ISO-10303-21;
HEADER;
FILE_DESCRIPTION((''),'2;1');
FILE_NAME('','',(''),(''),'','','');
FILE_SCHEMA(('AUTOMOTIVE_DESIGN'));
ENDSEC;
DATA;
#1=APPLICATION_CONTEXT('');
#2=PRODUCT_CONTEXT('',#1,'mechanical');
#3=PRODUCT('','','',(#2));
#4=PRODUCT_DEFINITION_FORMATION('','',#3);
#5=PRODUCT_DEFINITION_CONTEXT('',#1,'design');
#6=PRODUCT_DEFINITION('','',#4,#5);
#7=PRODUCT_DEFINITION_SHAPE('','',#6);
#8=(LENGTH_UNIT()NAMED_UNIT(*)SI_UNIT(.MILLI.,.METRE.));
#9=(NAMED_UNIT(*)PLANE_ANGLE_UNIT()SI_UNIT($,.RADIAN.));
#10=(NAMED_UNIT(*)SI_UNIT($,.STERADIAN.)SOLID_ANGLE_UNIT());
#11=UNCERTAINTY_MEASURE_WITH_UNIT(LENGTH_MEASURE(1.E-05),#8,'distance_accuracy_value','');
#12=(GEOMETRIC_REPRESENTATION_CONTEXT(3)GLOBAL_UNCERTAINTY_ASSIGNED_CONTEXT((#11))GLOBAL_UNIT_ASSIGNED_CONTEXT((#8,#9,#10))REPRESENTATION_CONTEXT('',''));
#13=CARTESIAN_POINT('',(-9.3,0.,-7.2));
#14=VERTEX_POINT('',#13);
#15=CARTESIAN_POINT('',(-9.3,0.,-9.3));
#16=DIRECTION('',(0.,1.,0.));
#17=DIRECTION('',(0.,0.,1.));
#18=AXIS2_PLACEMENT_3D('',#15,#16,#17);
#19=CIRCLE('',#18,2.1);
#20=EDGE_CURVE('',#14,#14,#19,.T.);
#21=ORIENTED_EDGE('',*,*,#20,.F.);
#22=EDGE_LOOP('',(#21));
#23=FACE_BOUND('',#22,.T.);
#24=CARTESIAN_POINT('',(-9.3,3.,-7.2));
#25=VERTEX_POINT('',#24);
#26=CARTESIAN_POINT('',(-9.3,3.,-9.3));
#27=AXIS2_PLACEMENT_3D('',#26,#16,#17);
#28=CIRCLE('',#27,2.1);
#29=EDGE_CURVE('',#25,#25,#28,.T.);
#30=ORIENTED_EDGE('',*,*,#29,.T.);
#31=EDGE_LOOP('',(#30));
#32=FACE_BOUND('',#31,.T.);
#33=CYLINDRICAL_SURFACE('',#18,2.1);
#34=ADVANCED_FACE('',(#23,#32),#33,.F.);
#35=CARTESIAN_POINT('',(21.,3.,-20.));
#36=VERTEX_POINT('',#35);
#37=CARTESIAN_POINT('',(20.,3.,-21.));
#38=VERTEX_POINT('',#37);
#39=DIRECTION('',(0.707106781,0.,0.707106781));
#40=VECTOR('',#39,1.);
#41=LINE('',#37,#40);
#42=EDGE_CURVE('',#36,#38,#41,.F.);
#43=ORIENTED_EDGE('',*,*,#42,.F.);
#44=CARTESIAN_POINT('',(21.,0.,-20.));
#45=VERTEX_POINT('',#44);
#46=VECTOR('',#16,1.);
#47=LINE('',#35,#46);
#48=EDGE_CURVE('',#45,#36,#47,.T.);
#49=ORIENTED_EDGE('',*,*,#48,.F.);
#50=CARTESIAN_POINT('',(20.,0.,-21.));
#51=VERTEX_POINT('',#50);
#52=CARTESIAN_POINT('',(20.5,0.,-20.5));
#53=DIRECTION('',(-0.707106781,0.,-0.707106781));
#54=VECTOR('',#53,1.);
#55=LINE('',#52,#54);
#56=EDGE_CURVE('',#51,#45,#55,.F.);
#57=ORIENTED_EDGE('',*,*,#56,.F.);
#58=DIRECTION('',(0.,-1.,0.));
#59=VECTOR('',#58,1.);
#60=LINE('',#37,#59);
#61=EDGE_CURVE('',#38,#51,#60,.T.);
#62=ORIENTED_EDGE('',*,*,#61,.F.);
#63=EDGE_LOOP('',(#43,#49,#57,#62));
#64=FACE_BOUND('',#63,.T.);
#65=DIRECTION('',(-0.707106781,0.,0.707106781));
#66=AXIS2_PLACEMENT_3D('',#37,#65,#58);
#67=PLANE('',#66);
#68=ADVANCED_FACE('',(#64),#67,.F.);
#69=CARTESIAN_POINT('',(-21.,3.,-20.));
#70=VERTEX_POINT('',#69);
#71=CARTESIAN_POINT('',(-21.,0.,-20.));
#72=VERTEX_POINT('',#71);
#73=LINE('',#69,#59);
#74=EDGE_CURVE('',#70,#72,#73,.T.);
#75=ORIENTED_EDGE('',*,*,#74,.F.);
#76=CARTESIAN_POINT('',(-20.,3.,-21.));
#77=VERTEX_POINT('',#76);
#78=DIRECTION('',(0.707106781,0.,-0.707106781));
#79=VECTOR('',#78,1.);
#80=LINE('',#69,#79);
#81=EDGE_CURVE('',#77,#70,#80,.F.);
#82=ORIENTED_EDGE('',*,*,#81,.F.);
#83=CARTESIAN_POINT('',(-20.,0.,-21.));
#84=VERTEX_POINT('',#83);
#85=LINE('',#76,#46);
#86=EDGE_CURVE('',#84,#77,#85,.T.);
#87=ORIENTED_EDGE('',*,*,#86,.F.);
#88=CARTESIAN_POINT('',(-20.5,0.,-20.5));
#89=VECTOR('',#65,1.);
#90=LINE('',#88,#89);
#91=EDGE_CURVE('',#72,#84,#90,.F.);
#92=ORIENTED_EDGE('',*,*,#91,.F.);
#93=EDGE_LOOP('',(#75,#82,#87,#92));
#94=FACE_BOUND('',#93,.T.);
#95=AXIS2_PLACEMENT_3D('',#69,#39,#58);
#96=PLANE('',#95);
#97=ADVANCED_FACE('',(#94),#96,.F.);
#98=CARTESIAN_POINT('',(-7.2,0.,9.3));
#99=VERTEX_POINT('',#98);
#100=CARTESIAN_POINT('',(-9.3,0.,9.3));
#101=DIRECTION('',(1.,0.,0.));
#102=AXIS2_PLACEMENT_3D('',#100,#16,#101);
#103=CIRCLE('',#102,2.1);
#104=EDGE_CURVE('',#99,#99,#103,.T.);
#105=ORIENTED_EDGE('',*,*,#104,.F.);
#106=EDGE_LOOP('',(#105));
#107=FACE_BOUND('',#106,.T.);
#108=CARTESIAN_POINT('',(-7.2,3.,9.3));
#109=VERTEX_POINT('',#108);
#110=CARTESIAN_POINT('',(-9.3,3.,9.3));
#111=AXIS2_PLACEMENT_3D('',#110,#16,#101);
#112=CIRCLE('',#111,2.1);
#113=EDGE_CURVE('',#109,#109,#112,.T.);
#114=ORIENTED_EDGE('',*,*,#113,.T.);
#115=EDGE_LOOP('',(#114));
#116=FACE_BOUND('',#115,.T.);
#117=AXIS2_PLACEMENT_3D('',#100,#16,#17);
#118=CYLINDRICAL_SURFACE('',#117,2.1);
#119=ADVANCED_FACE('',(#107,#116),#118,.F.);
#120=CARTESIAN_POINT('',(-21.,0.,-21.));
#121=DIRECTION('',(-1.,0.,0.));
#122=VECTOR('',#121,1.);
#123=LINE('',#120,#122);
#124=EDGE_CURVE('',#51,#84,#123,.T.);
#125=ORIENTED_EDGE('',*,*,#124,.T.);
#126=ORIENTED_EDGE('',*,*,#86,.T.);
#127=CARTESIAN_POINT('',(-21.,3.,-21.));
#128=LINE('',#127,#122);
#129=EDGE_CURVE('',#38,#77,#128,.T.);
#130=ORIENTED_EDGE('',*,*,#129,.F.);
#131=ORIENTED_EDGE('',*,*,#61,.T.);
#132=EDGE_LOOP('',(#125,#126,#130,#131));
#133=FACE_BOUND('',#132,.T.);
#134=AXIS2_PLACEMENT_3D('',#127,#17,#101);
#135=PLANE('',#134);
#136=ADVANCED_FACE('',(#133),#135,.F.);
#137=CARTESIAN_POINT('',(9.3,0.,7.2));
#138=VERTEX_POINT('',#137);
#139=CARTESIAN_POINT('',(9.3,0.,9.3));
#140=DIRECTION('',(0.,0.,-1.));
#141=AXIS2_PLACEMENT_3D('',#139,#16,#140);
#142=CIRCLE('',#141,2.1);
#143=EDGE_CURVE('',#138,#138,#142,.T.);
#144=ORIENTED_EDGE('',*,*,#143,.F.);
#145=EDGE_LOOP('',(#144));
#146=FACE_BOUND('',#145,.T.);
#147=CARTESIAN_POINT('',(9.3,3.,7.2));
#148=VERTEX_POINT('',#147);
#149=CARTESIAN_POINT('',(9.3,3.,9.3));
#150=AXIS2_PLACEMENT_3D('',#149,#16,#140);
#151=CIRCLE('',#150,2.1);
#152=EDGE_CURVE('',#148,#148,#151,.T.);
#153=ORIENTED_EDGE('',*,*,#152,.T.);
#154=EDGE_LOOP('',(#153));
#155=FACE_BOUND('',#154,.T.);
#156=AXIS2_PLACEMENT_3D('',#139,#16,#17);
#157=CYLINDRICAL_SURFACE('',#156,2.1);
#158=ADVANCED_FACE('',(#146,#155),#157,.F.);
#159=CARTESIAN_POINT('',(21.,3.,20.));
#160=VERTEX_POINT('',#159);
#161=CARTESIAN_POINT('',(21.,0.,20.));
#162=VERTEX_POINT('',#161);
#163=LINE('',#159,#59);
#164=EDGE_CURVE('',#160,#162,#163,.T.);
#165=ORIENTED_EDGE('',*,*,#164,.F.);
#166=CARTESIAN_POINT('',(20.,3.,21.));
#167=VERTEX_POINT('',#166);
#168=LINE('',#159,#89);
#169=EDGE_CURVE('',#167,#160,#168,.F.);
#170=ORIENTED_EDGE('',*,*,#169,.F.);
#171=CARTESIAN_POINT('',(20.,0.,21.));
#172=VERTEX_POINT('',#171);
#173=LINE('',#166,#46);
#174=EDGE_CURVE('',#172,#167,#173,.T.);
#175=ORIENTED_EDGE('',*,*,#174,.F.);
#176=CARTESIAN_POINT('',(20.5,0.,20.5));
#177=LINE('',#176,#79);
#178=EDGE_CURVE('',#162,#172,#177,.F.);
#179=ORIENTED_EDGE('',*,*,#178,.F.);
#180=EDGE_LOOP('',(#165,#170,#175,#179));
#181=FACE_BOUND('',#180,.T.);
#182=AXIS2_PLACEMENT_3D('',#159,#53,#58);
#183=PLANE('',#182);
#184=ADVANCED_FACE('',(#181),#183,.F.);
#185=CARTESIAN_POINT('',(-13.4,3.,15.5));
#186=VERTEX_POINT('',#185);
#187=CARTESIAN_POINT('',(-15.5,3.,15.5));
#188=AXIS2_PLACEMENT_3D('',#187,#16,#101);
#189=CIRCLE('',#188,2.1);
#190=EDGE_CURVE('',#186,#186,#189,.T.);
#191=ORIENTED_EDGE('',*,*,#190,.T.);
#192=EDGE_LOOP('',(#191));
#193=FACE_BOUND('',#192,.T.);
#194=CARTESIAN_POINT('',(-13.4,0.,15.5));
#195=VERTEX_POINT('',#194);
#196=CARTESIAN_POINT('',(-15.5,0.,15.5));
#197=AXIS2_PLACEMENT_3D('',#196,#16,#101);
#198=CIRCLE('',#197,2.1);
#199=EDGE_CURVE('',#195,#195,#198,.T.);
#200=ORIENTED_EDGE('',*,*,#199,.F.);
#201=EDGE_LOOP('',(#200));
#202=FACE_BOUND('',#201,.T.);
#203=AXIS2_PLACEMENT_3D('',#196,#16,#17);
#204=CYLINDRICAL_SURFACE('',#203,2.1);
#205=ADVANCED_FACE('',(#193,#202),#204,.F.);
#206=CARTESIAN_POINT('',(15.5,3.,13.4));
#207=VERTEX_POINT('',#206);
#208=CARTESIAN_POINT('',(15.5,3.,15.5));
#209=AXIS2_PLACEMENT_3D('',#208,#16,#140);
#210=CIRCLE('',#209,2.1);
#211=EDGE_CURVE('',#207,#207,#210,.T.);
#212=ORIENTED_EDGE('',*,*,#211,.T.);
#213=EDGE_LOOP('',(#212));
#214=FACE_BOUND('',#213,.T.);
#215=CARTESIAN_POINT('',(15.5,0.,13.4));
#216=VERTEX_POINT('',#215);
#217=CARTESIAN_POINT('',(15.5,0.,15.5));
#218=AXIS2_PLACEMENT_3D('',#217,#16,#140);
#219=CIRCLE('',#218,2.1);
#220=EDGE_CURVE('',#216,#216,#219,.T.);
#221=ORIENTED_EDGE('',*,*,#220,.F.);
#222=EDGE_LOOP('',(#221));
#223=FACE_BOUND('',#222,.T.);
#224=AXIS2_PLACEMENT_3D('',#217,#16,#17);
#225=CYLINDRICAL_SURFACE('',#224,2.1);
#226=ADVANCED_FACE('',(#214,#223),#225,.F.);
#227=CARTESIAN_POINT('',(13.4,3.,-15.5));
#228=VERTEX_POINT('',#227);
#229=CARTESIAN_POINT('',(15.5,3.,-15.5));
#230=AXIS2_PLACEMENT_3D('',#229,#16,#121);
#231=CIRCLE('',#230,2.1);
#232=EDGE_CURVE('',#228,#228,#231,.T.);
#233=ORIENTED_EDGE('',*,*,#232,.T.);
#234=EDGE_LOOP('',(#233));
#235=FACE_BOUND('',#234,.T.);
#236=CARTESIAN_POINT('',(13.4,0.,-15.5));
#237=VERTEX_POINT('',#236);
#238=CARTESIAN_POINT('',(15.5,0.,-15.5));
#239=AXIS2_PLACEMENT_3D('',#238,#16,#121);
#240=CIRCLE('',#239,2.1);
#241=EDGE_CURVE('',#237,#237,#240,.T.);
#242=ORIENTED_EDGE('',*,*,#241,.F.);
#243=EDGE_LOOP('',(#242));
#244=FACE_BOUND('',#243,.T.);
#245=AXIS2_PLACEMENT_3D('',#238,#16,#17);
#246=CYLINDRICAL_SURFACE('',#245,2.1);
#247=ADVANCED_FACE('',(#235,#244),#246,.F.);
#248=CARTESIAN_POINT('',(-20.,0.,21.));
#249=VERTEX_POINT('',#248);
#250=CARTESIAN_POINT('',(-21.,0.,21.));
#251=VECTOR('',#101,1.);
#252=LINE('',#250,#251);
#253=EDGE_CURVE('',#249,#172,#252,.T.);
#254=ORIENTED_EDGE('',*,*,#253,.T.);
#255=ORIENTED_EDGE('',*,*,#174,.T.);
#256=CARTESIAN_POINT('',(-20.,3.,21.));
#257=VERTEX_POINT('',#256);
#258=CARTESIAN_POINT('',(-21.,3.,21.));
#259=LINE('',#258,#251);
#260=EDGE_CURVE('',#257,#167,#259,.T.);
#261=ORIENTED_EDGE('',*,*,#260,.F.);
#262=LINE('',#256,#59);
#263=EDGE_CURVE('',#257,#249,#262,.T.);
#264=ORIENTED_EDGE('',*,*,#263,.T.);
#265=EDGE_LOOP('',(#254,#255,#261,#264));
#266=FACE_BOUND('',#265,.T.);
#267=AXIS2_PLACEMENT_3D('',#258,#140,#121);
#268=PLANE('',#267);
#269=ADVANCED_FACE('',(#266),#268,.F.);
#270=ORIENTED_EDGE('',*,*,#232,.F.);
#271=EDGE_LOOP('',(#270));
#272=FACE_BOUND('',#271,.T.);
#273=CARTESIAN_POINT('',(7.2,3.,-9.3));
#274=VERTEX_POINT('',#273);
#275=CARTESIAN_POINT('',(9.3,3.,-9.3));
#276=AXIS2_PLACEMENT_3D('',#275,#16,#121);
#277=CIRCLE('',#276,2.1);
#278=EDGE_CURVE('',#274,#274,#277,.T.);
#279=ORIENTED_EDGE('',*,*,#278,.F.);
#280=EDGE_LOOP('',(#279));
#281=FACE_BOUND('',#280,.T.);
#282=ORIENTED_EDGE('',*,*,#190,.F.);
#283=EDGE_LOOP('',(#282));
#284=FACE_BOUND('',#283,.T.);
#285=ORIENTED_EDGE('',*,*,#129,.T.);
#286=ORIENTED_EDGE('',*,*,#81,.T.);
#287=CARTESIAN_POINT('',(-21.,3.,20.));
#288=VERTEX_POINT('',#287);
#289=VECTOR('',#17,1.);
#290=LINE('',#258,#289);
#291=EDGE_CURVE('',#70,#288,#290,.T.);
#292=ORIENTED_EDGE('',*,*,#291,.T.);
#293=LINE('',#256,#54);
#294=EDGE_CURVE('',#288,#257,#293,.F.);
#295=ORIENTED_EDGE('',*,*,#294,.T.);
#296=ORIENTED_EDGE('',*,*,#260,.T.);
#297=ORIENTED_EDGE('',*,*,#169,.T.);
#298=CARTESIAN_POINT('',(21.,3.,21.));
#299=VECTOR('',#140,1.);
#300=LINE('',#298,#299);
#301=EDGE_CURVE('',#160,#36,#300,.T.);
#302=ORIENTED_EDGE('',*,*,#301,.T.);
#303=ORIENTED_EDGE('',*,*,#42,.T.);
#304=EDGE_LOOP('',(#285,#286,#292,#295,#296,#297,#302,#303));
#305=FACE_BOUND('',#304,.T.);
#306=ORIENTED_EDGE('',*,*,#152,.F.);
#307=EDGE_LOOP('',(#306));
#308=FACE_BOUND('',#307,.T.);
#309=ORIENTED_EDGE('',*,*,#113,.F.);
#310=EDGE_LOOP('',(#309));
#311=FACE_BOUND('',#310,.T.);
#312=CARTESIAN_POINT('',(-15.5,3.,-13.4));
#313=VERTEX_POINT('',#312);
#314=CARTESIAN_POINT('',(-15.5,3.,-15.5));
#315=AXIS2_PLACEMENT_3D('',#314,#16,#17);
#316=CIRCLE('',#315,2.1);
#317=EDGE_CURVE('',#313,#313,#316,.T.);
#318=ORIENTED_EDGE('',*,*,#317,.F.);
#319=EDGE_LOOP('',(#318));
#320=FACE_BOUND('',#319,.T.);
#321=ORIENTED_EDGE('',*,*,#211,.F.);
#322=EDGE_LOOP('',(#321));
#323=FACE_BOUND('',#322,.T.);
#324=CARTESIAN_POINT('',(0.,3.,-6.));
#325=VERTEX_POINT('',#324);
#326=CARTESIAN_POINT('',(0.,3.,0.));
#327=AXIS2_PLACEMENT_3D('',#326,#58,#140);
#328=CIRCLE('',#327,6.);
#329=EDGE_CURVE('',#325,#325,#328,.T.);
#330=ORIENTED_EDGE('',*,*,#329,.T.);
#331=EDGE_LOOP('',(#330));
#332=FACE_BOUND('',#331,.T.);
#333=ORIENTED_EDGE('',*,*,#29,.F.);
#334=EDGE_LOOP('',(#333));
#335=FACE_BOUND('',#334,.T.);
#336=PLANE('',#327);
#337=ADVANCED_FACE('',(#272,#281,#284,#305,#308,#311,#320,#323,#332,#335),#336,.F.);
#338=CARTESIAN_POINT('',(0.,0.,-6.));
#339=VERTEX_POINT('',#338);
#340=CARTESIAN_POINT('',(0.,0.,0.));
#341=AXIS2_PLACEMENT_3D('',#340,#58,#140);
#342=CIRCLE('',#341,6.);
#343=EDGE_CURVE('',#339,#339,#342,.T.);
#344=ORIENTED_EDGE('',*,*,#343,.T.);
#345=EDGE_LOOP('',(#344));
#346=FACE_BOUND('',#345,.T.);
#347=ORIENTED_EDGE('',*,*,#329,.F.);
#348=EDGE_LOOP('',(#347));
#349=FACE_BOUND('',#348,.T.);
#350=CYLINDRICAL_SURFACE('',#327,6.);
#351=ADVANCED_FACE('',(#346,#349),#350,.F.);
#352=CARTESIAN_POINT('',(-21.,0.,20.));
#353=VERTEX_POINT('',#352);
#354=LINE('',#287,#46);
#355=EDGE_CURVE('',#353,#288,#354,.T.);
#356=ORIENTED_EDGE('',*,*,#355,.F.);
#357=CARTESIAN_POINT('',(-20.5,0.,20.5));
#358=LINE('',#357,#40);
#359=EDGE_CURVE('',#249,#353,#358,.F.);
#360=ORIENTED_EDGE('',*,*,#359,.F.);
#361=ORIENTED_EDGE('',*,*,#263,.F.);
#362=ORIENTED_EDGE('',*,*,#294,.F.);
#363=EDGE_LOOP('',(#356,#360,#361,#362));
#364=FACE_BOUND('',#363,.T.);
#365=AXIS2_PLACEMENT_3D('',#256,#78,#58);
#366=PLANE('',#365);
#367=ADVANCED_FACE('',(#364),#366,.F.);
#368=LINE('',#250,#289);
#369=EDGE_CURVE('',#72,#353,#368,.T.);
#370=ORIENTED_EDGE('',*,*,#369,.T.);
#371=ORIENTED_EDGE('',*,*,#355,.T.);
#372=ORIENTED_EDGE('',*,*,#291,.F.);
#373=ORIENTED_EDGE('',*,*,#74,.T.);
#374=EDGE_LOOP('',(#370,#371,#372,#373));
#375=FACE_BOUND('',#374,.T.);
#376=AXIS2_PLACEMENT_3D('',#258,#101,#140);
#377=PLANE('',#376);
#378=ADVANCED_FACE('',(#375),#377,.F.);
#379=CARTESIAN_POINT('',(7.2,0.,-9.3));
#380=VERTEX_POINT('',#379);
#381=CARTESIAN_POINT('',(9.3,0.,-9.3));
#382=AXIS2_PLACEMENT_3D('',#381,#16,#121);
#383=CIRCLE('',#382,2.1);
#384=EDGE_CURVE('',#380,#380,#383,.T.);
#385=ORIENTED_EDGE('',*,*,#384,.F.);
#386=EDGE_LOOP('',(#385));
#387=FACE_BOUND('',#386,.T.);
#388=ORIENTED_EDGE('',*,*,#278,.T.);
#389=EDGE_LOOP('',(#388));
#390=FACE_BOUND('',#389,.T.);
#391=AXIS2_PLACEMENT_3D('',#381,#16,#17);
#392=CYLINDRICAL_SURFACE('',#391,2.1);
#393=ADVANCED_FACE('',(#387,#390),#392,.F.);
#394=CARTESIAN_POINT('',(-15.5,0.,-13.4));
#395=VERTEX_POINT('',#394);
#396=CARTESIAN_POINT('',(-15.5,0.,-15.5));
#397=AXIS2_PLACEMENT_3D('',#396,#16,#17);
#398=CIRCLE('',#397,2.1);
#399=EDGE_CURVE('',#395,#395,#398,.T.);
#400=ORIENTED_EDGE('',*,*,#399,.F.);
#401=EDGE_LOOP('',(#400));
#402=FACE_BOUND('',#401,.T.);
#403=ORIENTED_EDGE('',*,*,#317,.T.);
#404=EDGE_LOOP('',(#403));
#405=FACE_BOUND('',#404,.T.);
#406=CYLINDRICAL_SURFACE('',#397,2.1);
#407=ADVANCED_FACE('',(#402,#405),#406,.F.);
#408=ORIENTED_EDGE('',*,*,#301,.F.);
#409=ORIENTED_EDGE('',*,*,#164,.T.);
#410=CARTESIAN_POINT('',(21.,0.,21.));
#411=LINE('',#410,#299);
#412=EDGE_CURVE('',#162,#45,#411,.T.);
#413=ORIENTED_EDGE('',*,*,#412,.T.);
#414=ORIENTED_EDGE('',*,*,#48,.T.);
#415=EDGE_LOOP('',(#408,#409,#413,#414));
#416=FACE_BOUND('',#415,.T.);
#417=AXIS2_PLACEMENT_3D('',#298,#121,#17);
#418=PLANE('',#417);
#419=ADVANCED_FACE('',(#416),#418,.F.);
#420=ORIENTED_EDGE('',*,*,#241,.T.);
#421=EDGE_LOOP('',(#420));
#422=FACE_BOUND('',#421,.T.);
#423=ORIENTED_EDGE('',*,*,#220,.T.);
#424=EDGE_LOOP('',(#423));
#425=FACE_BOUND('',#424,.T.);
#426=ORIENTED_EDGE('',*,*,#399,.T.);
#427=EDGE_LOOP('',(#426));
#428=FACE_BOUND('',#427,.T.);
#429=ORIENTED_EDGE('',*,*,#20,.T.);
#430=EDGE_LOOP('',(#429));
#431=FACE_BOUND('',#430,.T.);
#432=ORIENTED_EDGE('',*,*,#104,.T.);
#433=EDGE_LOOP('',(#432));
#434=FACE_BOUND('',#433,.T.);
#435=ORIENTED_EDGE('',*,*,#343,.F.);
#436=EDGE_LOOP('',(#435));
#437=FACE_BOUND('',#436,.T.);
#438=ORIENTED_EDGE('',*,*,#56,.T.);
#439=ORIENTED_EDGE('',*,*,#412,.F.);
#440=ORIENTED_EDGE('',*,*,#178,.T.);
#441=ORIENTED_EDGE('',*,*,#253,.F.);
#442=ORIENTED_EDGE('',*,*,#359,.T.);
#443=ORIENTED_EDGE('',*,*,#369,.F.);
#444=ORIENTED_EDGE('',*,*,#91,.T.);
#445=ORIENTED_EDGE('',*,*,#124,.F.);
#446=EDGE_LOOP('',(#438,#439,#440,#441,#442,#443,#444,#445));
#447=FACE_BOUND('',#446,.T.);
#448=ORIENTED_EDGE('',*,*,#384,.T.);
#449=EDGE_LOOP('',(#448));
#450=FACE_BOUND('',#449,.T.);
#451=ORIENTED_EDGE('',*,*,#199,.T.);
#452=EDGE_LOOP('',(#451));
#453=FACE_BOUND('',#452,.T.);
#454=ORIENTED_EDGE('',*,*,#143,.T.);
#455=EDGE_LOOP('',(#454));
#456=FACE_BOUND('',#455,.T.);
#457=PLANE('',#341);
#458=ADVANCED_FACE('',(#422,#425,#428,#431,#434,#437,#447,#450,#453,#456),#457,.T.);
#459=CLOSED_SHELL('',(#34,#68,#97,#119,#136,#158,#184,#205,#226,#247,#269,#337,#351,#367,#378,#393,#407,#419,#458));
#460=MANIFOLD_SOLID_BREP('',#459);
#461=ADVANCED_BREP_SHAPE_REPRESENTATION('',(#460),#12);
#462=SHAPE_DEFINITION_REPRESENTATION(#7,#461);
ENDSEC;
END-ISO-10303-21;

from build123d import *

# Parameters (mm, degrees)
SKETCH_1_W               = 42
SKETCH_1_H               = 42
EXTRUDE_1_DEPTH          = 3
SKETCH_2_R               = 6
CUT_EXTRUDE_1_DEPTH      = 4
SKETCH_4_R               = 2.1
CUT_EXTRUDE_2_DEPTH      = 4
SKETCH_5_R               = 2.1
CUT_EXTRUDE_3_DEPTH      = 4
PATTERN_CIRCULAR_1_COUNT = 4
CHAMFER_1_SIZE           = 1


with BuildPart() as part:
    # 草圖1 → 填料-伸長1 (new body)
    with BuildSketch(Plane(origin=(0, 0, 0), x_dir=(1, 0, 0), z_dir=(0, 1, 0))):
        Rectangle(SKETCH_1_W, SKETCH_1_H)
    extrude(amount=EXTRUDE_1_DEPTH)

    # 草圖2 → 除料-伸長1 (cut, through all)
    with BuildSketch(Plane.XZ):
        Circle(SKETCH_2_R)
    extrude(amount=-CUT_EXTRUDE_1_DEPTH, mode=Mode.SUBTRACT)

    # 草圖4 → 除料-伸長2 (cut, through all)
    with BuildSketch(Plane(origin=(0, 3, 0), x_dir=(1, 0, 0), z_dir=(0, 1, 0))):
        with Locations((-9.3, 9.3)):
            Circle(SKETCH_4_R)
    cut_extrude_2 = extrude(amount=-CUT_EXTRUDE_2_DEPTH, mode=Mode.SUBTRACT)

    # 草圖5 → 除料-伸長3 (cut, through all)
    with BuildSketch(Plane(origin=(0, 3, 0), x_dir=(1, 0, 0), z_dir=(0, 1, 0))):
        with Locations((-15.5, 15.5)):
            Circle(SKETCH_5_R)
    cut_extrude_3 = extrude(amount=-CUT_EXTRUDE_3_DEPTH, mode=Mode.SUBTRACT)

    # 環狀複製排列1: 除料-伸長2, 除料-伸長3 ×4 about axis
    pattern_circular_1_axis = Axis((0, 0, 0), (0, 1, 0))
    for i in range(1, PATTERN_CIRCULAR_1_COUNT):
        add(cut_extrude_2.rotate(pattern_circular_1_axis, i * 360 / PATTERN_CIRCULAR_1_COUNT), mode=Mode.SUBTRACT)
        add(cut_extrude_3.rotate(pattern_circular_1_axis, i * 360 / PATTERN_CIRCULAR_1_COUNT), mode=Mode.SUBTRACT)

    # 導角1
    chamfer_1_edges = [part.edges().sort_by_distance(p)[0] for p in [
        (21, 1.5, 21),
        (-21, 1.5, 21),
        (-21, 1.5, -21),
        (21, 1.5, -21),
    ]]
    chamfer(chamfer_1_edges, length=CHAMFER_1_SIZE)


solid = part.part
